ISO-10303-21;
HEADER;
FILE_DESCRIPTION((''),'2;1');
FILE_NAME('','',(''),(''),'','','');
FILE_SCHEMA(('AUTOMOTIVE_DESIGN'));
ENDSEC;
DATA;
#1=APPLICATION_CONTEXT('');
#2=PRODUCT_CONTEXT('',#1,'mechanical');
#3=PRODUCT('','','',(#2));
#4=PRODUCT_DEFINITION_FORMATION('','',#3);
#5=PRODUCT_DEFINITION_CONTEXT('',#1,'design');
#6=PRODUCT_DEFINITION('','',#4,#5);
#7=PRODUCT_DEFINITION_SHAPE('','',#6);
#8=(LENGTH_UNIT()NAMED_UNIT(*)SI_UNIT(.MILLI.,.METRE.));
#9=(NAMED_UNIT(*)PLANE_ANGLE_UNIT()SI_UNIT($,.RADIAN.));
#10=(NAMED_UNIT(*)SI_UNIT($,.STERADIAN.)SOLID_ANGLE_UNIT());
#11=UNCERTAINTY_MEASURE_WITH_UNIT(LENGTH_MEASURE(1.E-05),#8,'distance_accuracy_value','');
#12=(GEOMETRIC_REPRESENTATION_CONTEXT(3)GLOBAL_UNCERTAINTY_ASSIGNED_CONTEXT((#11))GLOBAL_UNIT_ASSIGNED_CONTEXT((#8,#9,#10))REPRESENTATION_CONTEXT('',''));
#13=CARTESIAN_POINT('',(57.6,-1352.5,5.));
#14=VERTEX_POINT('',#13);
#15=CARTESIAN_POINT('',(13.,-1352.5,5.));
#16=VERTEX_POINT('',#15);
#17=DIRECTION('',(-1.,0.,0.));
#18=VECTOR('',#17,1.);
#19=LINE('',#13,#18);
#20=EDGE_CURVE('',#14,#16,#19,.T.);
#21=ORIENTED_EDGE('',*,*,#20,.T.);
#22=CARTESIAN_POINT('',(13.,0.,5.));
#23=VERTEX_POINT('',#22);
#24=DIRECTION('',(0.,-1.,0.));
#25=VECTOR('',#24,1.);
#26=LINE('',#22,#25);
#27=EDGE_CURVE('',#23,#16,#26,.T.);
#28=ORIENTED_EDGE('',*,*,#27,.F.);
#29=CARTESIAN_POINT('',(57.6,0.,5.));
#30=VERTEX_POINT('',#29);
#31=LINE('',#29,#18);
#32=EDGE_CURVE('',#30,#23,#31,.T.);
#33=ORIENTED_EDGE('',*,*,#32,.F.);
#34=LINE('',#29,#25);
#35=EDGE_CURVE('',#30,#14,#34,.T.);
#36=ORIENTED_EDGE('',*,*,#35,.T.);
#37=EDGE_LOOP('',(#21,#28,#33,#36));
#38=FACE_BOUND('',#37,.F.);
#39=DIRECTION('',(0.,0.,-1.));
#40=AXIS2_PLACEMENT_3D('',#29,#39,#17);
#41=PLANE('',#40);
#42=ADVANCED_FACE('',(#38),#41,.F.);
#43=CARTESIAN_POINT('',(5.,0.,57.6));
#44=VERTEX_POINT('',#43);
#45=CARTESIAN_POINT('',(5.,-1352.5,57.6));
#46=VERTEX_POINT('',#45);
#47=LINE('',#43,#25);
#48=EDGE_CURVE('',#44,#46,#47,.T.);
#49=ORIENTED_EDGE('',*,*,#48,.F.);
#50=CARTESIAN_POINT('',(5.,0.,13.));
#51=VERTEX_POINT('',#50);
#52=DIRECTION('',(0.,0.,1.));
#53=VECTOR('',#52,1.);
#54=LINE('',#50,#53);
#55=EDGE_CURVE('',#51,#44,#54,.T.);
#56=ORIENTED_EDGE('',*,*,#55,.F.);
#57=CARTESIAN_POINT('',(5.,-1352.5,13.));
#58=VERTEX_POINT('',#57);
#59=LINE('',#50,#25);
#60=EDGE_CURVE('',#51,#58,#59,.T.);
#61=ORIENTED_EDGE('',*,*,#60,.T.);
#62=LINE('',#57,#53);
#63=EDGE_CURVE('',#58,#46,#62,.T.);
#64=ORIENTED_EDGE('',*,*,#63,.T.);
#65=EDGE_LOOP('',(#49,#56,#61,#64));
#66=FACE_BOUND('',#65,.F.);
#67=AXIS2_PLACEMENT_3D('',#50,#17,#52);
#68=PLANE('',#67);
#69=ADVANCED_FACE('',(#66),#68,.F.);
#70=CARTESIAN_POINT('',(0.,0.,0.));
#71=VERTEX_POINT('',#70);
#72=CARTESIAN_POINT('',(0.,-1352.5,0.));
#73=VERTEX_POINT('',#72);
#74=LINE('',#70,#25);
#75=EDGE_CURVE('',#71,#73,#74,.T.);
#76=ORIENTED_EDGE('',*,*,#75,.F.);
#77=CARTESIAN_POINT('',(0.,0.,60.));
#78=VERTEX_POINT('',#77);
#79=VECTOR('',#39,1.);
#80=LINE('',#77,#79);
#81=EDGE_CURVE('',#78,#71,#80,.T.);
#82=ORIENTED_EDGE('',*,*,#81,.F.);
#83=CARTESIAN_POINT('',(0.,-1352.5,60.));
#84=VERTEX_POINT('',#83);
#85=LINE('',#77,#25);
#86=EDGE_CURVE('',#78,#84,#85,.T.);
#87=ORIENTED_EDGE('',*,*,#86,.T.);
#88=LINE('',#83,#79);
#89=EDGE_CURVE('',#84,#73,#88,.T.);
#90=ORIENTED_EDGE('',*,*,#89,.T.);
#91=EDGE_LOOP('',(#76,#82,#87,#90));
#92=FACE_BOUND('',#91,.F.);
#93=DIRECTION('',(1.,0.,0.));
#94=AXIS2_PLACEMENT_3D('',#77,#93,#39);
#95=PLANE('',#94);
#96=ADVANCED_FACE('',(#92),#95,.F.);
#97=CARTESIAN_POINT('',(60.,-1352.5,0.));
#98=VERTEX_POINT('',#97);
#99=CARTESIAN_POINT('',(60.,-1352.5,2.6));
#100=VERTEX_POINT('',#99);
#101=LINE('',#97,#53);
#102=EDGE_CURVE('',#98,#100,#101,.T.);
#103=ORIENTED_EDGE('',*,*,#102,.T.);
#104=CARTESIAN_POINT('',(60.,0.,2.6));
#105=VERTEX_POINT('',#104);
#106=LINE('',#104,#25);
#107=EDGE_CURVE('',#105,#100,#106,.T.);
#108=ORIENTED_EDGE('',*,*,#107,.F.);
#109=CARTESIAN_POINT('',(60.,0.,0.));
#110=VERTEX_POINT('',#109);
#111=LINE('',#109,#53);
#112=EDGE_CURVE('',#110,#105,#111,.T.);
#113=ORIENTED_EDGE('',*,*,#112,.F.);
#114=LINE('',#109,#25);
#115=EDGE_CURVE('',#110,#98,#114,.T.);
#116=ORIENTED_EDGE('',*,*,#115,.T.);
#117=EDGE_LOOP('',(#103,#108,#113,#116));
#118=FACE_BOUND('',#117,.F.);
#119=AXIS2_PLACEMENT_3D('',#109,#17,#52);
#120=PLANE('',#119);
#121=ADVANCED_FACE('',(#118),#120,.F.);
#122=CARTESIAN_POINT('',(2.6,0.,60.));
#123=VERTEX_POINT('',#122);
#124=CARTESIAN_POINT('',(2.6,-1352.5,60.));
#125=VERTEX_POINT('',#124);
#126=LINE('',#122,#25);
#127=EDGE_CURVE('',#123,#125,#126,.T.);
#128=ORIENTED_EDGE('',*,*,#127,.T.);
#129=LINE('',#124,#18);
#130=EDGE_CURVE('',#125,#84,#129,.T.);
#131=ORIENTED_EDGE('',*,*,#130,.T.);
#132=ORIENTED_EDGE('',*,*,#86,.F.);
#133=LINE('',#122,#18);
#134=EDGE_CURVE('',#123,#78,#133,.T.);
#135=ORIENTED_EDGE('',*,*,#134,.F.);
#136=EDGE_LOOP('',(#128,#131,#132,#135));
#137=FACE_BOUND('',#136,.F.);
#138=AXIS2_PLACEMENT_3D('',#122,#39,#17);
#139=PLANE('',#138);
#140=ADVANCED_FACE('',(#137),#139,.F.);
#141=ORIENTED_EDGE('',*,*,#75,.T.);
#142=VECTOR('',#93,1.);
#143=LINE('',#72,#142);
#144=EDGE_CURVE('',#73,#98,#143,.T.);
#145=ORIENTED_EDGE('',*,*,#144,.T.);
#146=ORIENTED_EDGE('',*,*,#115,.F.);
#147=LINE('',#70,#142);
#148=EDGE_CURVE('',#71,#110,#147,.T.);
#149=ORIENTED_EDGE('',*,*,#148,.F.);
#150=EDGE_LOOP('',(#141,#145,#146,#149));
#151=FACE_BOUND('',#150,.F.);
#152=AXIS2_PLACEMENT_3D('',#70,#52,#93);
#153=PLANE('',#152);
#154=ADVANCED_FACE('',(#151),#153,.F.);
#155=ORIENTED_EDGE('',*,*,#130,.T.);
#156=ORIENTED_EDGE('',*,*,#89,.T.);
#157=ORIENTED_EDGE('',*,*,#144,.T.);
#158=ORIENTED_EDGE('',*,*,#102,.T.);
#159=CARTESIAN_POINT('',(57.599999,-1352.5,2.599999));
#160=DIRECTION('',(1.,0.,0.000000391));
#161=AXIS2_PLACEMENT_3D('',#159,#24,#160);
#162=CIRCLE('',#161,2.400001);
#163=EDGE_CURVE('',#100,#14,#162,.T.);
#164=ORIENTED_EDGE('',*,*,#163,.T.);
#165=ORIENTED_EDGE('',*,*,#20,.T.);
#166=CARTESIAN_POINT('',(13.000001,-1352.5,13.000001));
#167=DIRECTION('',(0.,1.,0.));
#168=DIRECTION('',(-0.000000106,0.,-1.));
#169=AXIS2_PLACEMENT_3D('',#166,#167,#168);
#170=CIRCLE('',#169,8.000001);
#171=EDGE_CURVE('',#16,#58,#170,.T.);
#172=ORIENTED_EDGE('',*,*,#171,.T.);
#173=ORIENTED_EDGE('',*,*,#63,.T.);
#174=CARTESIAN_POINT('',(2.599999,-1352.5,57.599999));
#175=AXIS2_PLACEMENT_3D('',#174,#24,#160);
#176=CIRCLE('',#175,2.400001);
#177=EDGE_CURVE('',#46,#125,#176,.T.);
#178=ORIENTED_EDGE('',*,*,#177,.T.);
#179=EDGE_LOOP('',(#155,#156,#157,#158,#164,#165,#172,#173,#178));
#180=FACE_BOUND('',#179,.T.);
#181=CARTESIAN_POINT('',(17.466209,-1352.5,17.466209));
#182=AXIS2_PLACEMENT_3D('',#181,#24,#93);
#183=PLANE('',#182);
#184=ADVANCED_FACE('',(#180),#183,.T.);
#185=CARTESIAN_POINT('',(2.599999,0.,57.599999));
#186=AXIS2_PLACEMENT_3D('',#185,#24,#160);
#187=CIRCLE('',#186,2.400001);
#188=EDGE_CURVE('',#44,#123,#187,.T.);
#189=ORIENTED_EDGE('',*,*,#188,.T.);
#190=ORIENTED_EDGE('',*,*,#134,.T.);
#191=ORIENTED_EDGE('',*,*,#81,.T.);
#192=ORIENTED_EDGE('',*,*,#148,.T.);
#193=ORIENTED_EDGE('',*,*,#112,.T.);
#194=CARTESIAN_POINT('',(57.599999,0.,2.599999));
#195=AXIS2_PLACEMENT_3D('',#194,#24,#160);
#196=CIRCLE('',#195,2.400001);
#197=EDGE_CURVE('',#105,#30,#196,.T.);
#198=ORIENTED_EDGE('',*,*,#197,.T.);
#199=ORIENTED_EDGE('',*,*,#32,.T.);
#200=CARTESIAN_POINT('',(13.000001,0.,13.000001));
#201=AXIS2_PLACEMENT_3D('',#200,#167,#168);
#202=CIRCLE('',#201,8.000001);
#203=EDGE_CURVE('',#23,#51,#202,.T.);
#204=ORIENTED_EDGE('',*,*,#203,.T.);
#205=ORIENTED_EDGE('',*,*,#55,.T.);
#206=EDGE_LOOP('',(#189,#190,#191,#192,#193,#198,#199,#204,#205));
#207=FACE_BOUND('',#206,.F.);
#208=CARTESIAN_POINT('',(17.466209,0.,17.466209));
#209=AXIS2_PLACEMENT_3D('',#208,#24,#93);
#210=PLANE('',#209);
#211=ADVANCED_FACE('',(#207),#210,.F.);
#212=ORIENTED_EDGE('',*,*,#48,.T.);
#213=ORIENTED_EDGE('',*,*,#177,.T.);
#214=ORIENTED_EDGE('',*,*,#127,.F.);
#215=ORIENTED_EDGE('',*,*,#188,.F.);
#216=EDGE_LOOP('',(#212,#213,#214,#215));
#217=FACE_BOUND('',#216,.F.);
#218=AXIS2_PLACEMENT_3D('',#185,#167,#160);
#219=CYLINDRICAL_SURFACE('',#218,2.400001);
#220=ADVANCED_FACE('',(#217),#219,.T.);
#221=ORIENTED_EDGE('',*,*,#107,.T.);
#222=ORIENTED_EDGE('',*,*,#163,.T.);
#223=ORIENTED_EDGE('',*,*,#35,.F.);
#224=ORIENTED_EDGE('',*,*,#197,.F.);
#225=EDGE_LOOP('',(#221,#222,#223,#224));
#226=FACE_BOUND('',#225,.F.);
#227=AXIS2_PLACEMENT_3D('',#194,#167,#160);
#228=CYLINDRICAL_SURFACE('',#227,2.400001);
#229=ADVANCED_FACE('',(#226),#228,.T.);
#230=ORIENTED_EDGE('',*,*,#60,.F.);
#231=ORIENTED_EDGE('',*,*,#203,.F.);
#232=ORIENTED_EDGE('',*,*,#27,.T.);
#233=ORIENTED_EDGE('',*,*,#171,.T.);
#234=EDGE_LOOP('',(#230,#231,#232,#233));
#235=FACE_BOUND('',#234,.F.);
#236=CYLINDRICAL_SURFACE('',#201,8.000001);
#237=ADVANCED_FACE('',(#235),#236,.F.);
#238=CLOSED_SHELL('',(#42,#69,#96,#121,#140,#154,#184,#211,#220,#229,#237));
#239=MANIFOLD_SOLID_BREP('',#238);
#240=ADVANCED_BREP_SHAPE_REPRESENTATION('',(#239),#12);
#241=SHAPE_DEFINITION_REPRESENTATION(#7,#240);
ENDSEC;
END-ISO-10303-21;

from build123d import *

# Parameters (mm, degrees)
F1_DEPTH = 1352.5


with BuildPart() as f1:
    # F0 (on Front) → F1 (new body)
    with BuildSketch(Plane.XZ):
        with BuildLine():
            Line((0, 60), (0, 0))
            Line((0, 0), (60, 0))
            Line((60, 0), (60, 2.6))
            ThreePointArc((60, 2.6), (59.297056, 4.297056), (57.6, 5))
            Line((57.6, 5), (13, 5))
            ThreePointArc((13, 5), (7.343146, 7.343146), (5, 13))
            Line((5, 13), (5, 57.6))
            ThreePointArc((5, 57.6), (4.297056, 59.297056), (2.6, 60))
            Line((2.6, 60), (0, 60))
        make_face()
    extrude(amount=F1_DEPTH)


solid = f1.part
